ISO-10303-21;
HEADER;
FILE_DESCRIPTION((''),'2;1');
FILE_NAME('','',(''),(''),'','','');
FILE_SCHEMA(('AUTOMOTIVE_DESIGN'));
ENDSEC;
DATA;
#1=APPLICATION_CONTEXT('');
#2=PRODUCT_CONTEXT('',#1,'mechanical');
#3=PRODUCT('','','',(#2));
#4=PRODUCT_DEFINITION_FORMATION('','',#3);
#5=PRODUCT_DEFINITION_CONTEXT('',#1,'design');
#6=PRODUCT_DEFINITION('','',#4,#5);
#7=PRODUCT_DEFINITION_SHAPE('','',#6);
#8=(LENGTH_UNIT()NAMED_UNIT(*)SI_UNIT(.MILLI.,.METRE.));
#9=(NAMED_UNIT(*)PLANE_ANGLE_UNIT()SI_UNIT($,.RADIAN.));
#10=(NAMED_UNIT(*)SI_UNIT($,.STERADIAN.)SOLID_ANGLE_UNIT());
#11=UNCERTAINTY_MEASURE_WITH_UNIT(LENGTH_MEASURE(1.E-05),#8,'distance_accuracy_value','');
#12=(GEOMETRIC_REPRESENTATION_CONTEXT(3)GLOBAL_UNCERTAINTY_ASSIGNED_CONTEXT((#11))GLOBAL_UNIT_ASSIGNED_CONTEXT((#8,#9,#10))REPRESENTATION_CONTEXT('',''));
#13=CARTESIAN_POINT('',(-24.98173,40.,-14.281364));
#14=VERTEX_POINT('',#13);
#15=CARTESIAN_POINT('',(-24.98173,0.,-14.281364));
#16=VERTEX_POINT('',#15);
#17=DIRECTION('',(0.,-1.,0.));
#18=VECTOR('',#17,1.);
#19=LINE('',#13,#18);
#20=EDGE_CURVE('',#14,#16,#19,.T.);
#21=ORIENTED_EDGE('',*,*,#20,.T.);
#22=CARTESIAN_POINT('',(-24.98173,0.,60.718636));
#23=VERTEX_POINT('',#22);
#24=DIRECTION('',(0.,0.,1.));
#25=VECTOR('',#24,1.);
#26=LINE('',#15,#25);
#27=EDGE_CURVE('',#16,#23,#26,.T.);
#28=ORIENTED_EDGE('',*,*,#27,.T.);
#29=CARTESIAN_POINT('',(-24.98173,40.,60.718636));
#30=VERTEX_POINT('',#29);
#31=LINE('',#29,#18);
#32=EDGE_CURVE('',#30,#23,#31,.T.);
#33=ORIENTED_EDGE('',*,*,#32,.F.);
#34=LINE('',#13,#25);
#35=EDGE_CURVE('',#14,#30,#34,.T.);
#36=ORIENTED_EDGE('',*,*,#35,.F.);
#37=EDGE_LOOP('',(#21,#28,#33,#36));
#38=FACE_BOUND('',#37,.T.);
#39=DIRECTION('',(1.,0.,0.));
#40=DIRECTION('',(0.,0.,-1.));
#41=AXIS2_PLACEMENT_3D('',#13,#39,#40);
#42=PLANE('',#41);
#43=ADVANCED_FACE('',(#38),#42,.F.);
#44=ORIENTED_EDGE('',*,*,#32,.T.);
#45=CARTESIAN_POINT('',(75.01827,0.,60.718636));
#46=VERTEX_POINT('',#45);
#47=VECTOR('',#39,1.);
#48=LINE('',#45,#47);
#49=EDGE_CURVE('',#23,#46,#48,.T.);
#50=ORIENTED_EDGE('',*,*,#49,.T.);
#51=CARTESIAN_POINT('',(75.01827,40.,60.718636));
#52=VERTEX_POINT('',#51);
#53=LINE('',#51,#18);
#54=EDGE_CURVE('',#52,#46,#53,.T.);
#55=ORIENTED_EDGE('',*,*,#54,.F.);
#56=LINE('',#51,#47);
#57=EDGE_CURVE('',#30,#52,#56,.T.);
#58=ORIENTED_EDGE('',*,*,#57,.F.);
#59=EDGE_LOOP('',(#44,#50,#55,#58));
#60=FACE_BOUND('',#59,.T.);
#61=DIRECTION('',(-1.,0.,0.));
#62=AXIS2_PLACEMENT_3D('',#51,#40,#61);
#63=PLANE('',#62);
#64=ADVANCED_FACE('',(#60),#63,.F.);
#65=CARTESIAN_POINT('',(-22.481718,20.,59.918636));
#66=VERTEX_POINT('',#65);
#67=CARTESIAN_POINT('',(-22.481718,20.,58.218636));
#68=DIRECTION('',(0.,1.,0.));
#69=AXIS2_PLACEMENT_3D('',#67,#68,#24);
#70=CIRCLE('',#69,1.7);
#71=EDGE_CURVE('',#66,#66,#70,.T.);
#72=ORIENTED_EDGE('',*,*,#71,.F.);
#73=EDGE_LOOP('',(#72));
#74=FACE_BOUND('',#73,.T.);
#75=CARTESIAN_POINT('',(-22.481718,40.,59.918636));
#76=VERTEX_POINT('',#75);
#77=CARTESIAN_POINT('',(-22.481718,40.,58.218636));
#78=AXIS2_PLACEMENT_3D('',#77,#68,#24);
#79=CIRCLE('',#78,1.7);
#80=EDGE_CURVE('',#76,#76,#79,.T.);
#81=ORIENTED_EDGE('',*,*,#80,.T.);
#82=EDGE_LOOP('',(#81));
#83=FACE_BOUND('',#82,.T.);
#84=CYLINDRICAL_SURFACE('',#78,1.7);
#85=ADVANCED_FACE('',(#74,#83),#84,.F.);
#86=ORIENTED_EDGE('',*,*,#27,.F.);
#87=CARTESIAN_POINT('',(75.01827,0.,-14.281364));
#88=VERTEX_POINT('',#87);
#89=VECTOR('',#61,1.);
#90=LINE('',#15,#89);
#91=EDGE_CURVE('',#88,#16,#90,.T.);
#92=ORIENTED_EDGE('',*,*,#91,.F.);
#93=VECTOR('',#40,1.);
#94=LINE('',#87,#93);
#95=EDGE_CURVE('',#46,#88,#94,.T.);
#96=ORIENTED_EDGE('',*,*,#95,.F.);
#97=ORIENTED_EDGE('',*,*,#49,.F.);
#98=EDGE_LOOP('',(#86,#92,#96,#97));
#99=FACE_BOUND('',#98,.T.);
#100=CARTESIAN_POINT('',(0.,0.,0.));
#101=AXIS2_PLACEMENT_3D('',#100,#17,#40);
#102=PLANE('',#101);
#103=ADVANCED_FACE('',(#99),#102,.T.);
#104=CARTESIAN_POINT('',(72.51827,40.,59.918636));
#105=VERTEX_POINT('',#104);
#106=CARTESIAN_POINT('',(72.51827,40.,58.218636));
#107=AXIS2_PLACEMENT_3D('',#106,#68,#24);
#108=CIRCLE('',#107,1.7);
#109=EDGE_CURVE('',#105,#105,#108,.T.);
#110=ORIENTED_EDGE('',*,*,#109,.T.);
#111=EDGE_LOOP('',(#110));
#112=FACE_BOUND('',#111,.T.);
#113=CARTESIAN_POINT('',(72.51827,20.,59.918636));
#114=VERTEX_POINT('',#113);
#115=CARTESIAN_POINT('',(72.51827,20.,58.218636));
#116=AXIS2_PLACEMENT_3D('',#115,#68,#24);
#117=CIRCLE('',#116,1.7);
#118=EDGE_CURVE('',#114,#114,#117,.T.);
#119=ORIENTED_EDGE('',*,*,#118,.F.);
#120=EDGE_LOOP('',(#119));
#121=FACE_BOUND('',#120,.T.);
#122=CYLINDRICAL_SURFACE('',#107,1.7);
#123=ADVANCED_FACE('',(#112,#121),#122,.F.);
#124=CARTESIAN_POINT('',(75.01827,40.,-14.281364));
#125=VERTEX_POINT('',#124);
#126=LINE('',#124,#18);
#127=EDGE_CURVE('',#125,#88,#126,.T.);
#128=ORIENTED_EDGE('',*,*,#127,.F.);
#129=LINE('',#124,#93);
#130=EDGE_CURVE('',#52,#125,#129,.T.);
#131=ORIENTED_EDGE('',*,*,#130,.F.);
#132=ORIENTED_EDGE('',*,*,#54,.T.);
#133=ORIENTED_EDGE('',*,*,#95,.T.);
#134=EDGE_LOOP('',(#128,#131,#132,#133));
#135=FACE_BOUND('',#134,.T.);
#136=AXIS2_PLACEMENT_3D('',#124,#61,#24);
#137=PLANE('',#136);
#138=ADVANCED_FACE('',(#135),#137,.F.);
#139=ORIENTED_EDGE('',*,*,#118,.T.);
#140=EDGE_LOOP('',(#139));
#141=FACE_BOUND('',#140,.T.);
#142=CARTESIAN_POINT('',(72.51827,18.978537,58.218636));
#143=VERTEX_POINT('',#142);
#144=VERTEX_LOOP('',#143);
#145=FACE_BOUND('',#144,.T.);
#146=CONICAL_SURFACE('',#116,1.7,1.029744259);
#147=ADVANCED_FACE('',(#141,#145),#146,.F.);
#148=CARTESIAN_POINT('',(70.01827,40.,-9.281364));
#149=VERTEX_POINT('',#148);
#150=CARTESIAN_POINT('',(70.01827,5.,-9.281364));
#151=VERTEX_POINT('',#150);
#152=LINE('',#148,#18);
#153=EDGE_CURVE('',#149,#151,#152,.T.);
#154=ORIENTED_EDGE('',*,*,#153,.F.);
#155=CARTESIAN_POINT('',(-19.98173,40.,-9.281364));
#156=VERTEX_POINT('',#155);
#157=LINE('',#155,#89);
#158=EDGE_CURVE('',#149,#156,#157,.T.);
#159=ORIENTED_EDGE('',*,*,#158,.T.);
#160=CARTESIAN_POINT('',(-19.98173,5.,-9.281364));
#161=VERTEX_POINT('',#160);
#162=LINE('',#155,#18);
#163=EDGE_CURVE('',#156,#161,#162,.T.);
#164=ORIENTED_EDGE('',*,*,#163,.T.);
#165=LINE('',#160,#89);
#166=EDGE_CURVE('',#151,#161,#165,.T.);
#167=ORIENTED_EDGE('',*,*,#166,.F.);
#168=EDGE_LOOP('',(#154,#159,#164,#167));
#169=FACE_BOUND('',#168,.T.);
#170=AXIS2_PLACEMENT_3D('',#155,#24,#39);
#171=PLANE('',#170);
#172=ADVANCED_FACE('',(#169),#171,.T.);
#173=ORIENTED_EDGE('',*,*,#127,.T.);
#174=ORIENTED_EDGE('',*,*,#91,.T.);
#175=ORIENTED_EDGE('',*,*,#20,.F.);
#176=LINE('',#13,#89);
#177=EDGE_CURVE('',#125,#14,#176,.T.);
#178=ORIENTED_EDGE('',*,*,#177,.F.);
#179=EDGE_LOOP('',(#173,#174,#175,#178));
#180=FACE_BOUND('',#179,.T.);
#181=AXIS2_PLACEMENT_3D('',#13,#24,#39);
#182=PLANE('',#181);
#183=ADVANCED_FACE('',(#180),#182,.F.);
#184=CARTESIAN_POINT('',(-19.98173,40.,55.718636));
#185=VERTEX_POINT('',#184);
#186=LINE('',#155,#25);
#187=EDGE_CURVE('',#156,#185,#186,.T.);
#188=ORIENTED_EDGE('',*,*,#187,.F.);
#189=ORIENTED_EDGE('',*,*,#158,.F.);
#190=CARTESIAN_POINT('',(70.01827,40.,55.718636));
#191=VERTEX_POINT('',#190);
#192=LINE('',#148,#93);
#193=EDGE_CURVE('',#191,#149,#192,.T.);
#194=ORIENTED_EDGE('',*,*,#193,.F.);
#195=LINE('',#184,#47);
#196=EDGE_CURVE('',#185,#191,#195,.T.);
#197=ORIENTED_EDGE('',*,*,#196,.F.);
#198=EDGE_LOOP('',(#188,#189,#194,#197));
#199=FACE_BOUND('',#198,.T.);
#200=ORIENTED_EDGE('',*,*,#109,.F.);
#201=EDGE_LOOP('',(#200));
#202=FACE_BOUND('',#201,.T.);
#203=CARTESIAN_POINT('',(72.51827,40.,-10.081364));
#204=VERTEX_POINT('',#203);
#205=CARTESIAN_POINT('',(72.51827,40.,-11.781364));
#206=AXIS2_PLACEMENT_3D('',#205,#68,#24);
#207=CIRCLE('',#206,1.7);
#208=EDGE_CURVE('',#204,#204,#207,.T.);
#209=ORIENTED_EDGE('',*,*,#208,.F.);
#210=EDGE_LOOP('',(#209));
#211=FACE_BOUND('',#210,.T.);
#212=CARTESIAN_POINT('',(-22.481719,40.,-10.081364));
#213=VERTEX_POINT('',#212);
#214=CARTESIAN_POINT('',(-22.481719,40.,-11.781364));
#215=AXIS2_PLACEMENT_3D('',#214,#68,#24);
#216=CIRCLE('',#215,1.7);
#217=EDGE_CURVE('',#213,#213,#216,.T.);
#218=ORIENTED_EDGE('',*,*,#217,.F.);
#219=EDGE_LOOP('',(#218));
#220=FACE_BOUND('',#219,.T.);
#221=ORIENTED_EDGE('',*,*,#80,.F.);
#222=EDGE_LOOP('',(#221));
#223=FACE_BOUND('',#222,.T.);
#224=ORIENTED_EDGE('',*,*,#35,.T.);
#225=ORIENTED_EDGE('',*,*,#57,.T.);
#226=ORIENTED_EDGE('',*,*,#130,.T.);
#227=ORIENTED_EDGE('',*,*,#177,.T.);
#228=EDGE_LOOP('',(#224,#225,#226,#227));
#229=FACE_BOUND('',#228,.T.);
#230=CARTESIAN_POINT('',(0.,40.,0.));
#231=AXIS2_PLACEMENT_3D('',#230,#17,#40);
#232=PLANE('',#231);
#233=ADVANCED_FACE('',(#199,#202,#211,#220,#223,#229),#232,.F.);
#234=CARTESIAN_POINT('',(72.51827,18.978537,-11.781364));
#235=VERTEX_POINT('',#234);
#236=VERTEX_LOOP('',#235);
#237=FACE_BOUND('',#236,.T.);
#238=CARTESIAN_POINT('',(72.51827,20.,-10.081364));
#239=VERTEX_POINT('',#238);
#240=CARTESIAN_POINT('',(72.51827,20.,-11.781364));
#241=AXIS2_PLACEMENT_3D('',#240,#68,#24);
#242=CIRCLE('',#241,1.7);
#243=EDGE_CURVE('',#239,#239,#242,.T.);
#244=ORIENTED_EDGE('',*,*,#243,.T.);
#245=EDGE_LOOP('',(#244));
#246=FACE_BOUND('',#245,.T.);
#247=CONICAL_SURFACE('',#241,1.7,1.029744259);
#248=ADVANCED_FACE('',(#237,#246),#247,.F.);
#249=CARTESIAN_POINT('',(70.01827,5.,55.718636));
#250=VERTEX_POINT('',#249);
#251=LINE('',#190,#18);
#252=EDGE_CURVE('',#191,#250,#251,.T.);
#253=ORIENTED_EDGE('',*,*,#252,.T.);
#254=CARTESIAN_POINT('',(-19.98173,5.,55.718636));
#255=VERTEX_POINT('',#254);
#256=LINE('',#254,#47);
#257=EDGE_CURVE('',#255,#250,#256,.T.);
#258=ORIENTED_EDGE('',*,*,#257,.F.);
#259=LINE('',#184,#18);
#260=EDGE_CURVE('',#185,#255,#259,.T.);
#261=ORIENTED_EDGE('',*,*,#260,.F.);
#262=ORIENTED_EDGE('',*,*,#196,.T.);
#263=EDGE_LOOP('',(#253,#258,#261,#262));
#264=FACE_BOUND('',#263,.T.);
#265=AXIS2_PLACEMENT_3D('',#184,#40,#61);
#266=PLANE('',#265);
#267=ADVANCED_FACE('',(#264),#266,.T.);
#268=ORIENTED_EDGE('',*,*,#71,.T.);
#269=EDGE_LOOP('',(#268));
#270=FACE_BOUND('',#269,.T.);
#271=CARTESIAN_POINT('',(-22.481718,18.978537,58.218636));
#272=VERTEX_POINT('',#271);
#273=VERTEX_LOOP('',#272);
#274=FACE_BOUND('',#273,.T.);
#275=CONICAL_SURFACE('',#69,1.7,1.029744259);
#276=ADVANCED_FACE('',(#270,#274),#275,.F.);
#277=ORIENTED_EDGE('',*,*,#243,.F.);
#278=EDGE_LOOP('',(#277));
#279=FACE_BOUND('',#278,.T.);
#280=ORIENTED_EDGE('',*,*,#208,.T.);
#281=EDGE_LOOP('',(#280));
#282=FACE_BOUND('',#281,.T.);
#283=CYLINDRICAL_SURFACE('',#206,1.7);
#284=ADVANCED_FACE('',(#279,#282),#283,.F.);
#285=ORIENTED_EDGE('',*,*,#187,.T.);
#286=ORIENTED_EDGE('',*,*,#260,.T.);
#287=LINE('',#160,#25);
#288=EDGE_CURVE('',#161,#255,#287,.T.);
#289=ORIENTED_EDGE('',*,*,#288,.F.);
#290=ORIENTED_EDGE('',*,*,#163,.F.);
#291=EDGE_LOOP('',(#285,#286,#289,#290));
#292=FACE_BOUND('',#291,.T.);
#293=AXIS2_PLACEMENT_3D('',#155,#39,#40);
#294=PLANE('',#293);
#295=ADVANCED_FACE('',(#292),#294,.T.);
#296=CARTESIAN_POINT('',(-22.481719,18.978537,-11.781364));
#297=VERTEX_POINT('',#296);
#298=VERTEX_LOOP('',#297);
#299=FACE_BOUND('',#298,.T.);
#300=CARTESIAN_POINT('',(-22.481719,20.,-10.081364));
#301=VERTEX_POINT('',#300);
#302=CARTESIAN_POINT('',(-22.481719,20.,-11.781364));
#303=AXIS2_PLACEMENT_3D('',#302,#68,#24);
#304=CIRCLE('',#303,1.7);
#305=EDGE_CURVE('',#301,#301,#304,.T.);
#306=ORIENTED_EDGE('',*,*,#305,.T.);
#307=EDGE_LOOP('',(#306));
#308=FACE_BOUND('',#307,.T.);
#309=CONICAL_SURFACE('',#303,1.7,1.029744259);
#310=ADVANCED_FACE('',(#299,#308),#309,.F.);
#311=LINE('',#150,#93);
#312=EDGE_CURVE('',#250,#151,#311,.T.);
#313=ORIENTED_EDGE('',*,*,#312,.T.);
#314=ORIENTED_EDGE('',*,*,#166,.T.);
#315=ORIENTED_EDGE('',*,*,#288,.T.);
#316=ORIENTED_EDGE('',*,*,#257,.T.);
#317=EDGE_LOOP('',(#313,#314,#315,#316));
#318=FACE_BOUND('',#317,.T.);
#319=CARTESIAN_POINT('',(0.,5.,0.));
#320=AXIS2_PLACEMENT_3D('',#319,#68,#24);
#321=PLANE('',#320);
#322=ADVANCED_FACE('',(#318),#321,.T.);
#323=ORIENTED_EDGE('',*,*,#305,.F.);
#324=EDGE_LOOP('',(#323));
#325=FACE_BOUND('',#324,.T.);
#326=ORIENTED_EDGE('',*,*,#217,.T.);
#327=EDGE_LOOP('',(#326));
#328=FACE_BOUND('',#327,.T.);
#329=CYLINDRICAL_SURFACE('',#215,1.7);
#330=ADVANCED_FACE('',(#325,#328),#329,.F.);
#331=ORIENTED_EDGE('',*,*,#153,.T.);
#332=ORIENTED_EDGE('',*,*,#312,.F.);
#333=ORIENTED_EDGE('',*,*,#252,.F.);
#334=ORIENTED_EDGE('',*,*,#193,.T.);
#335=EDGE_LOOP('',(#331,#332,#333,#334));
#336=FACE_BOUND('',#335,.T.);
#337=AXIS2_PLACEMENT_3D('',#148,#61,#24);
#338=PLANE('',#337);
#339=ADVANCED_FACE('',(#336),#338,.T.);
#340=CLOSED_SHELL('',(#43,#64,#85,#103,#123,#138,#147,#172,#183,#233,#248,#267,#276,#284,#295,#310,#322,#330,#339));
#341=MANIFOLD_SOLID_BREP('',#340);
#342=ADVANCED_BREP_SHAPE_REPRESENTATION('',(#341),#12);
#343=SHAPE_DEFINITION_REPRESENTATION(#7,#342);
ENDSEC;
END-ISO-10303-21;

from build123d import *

# Parameters (mm, degrees)
CROQUIS1_W                       = 100
CROQUIS1_H                       = 75
SALIENTE_EXTRUIR1_DEPTH          = 40
CROQUIS2_W                       = 90
CROQUIS2_H                       = 65
CORTAR_EXTRUIR1_DEPTH            = 105.472453923
CROQUIS3_W                       = 90
CROQUIS3_H                       = 65
SALIENTE_EXTRUIR2_DEPTH          = 5
TALADRO_DE_MARGEN_PARA_M31_D     = 3.4
TALADRO_DE_MARGEN_PARA_M31_DEPTH = 20
TALADRO_DE_MARGEN_PARA_M31_TIP   = 1.021463052


with BuildPart() as part:
    # Croquis1 → Saliente-Extruir1 (new body)
    with BuildSketch(Plane(origin=(0, 0, 0), x_dir=(1, 0, 0), z_dir=(0, 1, 0))):
        with Locations((25.018270402, -23.21863581)):
            Rectangle(CROQUIS1_W, CROQUIS1_H)
    extrude(amount=SALIENTE_EXTRUIR1_DEPTH)

    # Croquis2 → Cortar-Extruir1 (cut, through all)
    with BuildSketch(Plane(origin=(0, 0, 0), x_dir=(1, 0, 0), z_dir=(0, 1, 0))):
        with Locations((25.018270402, -23.21863581)):
            Rectangle(CROQUIS2_W, CROQUIS2_H)
    extrude(amount=CORTAR_EXTRUIR1_DEPTH, mode=Mode.SUBTRACT)

    # Croquis3 → Saliente-Extruir2 (add)
    with BuildSketch(Plane(origin=(0, 0, 0), x_dir=(1, 0, 0), z_dir=(0, 1, 0))):
        with Locations((25.018270402, -23.21863581)):
            Rectangle(CROQUIS3_W, CROQUIS3_H)
    extrude(amount=SALIENTE_EXTRUIR2_DEPTH)

    # Taladro de margen para M31
    with Locations(Plane(origin=(-22.481719301, 40, -11.781363893), x_dir=(0, 0, 1), z_dir=(0, 1, 0))):
        with Locations((0, 0), (-2.33e-07, 94.999989703), (69.999999703, 94.999989703), (69.999999703, 1.038e-06)):
            Hole(TALADRO_DE_MARGEN_PARA_M31_D / 2, depth=TALADRO_DE_MARGEN_PARA_M31_DEPTH)
            with Locations((0, 0, -(TALADRO_DE_MARGEN_PARA_M31_DEPTH + TALADRO_DE_MARGEN_PARA_M31_TIP / 2))):  # 118° drill point
                Cone(0, TALADRO_DE_MARGEN_PARA_M31_D / 2, TALADRO_DE_MARGEN_PARA_M31_TIP, mode=Mode.SUBTRACT)


solid = part.part
